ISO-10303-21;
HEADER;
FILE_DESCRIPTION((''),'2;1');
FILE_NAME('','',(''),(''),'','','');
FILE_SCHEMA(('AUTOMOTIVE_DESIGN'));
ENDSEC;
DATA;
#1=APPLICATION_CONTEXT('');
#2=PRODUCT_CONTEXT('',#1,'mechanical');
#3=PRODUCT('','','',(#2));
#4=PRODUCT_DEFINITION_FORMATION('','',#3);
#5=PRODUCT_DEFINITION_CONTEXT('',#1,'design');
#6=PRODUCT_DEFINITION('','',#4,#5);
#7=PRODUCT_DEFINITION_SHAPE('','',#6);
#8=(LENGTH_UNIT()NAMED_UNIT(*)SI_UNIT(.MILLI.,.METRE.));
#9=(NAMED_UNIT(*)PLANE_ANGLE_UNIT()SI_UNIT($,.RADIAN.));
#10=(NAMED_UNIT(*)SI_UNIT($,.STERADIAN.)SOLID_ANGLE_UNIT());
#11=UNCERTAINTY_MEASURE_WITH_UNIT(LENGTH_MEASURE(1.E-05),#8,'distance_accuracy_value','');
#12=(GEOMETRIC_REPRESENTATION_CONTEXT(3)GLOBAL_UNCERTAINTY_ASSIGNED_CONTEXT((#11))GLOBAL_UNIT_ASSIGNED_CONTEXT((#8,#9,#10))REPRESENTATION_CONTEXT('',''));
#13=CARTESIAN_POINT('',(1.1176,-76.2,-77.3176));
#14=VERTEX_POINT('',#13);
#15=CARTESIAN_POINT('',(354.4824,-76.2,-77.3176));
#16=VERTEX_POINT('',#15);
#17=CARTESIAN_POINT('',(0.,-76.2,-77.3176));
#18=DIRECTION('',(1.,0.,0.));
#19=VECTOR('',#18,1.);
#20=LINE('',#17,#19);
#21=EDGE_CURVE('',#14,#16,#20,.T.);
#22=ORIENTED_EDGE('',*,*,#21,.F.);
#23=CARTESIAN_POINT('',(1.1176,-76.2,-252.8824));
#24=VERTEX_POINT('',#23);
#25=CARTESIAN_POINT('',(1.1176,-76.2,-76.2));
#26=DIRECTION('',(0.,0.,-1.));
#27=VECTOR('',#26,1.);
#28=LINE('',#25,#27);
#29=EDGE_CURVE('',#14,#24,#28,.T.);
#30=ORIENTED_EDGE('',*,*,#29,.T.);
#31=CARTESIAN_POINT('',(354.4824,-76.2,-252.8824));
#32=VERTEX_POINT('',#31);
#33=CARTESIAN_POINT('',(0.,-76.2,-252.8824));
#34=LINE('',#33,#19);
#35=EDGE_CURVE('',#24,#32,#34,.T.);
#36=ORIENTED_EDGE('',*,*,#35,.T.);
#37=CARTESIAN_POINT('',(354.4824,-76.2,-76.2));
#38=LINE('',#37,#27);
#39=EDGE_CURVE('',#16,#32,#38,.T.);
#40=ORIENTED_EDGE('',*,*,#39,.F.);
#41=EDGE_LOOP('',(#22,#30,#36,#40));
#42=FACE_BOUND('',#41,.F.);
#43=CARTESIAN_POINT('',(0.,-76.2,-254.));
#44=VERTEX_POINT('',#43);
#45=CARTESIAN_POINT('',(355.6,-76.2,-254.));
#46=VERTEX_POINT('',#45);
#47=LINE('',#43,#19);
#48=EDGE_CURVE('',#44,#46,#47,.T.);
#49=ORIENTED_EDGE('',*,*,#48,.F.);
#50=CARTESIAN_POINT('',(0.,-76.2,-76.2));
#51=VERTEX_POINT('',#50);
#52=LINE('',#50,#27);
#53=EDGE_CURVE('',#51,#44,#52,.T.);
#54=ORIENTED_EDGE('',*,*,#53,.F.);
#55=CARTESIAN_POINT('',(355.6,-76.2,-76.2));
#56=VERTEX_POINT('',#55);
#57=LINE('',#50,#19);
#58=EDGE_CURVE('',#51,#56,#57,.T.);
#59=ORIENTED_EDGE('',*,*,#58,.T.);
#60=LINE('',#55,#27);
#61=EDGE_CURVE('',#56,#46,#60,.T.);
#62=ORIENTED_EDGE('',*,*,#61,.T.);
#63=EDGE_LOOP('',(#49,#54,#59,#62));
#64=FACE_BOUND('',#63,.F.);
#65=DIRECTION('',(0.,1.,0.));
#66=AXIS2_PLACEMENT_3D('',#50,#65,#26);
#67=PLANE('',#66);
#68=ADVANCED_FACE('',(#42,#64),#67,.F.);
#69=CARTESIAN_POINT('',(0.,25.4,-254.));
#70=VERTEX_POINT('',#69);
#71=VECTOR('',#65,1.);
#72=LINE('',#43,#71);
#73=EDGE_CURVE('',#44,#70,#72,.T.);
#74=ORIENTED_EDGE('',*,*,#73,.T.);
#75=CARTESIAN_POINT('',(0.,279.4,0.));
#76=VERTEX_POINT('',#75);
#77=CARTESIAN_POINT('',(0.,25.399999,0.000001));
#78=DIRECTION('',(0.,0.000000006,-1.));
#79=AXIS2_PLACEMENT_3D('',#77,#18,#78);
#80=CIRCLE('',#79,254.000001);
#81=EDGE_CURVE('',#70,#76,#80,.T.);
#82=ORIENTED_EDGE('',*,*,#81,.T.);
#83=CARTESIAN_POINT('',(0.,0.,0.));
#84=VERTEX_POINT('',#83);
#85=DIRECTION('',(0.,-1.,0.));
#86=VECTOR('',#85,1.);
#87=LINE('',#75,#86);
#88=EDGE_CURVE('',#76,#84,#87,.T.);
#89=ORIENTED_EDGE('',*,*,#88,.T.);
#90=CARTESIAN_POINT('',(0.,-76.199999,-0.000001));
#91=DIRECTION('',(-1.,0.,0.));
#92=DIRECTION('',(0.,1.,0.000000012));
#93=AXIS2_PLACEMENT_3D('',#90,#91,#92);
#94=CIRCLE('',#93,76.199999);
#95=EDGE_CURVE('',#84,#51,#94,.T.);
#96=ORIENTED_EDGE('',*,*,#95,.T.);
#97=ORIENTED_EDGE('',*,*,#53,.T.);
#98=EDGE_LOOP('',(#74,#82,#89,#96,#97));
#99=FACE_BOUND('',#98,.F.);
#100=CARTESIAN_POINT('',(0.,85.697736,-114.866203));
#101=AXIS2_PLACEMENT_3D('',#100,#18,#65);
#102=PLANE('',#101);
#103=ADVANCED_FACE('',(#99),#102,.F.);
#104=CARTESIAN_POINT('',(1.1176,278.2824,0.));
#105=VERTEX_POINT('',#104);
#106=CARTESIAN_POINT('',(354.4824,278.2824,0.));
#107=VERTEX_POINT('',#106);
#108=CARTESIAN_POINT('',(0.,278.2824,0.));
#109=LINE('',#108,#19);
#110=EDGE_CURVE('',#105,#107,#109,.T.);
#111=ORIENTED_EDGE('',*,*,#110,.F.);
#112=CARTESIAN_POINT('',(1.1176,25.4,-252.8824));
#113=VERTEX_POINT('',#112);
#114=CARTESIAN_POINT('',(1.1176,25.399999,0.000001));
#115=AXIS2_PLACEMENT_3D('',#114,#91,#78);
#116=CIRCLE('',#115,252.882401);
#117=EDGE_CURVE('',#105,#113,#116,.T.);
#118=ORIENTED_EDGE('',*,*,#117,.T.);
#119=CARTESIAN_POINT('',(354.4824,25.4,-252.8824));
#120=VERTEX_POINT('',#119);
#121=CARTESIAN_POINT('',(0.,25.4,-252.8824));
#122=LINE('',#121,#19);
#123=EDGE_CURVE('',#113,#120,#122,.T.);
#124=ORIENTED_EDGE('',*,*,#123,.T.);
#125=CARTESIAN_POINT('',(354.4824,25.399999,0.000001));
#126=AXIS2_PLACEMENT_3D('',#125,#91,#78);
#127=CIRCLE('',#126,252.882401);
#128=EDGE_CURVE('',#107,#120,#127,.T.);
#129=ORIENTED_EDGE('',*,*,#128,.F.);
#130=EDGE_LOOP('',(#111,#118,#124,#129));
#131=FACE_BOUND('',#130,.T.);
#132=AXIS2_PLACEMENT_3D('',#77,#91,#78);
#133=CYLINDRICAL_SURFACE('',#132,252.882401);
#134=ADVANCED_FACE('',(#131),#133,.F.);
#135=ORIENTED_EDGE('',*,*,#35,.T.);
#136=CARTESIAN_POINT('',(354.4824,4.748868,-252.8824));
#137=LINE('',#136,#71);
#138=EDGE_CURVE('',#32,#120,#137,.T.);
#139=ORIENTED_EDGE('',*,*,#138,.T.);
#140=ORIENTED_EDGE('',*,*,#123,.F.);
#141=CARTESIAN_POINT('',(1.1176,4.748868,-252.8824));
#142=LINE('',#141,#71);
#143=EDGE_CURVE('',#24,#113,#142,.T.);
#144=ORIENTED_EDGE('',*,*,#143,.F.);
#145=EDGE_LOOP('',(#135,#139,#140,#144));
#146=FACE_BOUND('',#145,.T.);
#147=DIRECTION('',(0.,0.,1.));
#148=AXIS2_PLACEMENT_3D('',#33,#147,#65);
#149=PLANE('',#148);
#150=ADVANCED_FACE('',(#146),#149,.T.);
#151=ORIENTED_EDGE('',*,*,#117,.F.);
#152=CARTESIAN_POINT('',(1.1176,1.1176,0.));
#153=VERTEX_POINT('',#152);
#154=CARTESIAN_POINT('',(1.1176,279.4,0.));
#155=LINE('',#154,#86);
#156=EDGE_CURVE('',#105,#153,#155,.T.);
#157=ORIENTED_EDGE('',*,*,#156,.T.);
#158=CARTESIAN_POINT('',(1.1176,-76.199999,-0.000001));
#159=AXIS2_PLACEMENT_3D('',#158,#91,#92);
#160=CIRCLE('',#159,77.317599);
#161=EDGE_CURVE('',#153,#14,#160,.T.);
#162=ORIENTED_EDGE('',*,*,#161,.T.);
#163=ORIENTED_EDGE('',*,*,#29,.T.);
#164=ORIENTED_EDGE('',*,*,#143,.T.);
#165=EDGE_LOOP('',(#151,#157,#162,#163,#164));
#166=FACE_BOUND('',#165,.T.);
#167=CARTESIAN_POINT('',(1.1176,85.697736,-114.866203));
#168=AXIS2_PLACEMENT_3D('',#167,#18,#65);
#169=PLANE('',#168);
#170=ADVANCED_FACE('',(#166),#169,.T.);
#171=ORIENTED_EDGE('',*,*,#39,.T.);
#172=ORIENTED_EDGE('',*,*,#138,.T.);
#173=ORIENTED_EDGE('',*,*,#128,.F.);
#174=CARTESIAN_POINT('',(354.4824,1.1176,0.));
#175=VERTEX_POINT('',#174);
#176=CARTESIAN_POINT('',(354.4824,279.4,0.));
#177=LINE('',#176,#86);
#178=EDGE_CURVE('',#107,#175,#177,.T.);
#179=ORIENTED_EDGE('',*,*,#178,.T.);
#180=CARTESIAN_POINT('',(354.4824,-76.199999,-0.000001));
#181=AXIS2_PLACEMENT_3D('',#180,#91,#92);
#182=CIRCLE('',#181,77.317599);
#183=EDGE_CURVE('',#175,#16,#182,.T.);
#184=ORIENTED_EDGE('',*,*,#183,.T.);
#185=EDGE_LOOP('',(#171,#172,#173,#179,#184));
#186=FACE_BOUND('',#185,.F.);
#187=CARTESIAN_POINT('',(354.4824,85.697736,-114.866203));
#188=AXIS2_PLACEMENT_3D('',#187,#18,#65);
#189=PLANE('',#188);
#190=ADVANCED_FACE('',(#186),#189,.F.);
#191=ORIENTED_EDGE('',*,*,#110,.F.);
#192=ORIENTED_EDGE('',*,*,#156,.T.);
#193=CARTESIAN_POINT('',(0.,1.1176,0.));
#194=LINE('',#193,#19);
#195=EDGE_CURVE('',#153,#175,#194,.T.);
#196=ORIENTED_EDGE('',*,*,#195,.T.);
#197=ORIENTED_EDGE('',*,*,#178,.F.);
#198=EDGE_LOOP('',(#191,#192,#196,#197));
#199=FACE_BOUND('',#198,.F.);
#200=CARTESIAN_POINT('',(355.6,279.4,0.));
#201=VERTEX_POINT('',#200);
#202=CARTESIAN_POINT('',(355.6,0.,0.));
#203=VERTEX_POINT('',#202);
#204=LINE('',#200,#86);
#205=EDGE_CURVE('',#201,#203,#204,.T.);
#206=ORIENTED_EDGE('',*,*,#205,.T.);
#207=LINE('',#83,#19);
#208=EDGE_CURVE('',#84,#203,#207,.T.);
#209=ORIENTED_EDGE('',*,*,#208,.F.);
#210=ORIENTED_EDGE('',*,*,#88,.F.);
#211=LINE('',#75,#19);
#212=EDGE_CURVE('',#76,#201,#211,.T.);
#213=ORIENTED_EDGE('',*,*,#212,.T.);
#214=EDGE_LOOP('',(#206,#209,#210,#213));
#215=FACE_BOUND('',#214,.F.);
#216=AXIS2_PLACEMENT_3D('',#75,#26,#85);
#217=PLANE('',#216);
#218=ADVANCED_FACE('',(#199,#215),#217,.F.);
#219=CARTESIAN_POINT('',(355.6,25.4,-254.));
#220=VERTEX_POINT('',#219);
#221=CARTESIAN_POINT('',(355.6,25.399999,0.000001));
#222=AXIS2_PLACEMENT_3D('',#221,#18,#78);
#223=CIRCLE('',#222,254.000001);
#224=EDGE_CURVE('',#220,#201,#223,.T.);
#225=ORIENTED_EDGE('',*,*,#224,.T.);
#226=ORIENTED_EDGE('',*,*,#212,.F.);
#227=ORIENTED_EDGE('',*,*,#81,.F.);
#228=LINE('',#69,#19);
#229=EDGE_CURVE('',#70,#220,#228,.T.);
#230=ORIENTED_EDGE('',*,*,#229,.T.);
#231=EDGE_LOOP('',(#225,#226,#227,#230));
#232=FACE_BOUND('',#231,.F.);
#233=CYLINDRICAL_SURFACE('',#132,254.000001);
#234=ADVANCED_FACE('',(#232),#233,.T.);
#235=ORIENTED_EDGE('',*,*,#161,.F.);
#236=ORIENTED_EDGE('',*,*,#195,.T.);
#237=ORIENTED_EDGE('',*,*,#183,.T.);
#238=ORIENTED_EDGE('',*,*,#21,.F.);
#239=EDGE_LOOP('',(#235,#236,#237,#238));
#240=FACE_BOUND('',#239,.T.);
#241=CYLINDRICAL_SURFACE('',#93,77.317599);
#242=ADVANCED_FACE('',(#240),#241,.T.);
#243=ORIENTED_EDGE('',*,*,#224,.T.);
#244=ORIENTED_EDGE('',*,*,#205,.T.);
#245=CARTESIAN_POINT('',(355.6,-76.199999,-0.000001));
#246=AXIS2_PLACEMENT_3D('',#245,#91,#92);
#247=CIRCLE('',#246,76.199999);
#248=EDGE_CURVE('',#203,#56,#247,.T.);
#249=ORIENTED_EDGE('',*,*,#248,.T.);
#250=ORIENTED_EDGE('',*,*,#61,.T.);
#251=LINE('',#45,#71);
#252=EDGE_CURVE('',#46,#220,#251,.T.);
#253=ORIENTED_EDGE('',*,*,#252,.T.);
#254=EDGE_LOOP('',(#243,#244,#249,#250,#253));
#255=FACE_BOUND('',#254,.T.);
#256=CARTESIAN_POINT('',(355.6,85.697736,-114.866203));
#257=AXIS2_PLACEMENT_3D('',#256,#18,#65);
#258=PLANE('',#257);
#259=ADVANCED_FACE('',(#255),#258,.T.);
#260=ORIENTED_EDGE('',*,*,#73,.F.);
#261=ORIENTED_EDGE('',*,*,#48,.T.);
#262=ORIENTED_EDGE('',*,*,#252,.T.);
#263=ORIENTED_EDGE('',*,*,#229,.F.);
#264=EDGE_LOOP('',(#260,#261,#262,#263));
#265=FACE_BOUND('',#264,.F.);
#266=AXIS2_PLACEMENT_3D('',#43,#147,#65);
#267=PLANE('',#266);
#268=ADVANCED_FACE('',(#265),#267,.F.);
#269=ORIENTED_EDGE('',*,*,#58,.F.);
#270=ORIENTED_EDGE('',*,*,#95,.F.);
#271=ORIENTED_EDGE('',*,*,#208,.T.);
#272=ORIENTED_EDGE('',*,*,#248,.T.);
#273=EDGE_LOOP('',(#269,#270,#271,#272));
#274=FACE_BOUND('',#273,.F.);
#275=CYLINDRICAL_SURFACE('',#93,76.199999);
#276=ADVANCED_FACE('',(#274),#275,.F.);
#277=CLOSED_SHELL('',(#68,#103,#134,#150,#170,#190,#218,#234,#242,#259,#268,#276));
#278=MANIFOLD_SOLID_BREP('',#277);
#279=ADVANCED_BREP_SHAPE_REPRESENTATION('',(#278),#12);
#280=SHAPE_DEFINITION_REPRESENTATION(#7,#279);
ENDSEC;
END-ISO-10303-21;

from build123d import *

# Parameters (mm, degrees)
F1_DEPTH = 355.6
F2_T     = -1.1176


with BuildPart() as f1:
    # F0 (on Right) → F1 (new body)
    with BuildSketch(Plane.YZ):
        with BuildLine():
            ThreePointArc((0, 0), (-22.318463, -53.881537), (-76.2, -76.2))
            Line((-76.2, -76.2), (-76.2, -254))
            Line((-76.2, -254), (25.4, -254))
            ThreePointArc((25.4, -254), (205.005122, -179.605122), (279.4, 0))
            Line((279.4, 0), (0, 0))
        make_face()
    extrude(amount=F1_DEPTH)

    # F2
    f2_openings = [f1.faces().sort_by_distance(p)[0] for p in [
        (177.8, 139.7, 0),
        (177.8, -76.2, -165.1),
    ]]
    offset(amount=F2_T, openings=f2_openings)


solid = f1.part
